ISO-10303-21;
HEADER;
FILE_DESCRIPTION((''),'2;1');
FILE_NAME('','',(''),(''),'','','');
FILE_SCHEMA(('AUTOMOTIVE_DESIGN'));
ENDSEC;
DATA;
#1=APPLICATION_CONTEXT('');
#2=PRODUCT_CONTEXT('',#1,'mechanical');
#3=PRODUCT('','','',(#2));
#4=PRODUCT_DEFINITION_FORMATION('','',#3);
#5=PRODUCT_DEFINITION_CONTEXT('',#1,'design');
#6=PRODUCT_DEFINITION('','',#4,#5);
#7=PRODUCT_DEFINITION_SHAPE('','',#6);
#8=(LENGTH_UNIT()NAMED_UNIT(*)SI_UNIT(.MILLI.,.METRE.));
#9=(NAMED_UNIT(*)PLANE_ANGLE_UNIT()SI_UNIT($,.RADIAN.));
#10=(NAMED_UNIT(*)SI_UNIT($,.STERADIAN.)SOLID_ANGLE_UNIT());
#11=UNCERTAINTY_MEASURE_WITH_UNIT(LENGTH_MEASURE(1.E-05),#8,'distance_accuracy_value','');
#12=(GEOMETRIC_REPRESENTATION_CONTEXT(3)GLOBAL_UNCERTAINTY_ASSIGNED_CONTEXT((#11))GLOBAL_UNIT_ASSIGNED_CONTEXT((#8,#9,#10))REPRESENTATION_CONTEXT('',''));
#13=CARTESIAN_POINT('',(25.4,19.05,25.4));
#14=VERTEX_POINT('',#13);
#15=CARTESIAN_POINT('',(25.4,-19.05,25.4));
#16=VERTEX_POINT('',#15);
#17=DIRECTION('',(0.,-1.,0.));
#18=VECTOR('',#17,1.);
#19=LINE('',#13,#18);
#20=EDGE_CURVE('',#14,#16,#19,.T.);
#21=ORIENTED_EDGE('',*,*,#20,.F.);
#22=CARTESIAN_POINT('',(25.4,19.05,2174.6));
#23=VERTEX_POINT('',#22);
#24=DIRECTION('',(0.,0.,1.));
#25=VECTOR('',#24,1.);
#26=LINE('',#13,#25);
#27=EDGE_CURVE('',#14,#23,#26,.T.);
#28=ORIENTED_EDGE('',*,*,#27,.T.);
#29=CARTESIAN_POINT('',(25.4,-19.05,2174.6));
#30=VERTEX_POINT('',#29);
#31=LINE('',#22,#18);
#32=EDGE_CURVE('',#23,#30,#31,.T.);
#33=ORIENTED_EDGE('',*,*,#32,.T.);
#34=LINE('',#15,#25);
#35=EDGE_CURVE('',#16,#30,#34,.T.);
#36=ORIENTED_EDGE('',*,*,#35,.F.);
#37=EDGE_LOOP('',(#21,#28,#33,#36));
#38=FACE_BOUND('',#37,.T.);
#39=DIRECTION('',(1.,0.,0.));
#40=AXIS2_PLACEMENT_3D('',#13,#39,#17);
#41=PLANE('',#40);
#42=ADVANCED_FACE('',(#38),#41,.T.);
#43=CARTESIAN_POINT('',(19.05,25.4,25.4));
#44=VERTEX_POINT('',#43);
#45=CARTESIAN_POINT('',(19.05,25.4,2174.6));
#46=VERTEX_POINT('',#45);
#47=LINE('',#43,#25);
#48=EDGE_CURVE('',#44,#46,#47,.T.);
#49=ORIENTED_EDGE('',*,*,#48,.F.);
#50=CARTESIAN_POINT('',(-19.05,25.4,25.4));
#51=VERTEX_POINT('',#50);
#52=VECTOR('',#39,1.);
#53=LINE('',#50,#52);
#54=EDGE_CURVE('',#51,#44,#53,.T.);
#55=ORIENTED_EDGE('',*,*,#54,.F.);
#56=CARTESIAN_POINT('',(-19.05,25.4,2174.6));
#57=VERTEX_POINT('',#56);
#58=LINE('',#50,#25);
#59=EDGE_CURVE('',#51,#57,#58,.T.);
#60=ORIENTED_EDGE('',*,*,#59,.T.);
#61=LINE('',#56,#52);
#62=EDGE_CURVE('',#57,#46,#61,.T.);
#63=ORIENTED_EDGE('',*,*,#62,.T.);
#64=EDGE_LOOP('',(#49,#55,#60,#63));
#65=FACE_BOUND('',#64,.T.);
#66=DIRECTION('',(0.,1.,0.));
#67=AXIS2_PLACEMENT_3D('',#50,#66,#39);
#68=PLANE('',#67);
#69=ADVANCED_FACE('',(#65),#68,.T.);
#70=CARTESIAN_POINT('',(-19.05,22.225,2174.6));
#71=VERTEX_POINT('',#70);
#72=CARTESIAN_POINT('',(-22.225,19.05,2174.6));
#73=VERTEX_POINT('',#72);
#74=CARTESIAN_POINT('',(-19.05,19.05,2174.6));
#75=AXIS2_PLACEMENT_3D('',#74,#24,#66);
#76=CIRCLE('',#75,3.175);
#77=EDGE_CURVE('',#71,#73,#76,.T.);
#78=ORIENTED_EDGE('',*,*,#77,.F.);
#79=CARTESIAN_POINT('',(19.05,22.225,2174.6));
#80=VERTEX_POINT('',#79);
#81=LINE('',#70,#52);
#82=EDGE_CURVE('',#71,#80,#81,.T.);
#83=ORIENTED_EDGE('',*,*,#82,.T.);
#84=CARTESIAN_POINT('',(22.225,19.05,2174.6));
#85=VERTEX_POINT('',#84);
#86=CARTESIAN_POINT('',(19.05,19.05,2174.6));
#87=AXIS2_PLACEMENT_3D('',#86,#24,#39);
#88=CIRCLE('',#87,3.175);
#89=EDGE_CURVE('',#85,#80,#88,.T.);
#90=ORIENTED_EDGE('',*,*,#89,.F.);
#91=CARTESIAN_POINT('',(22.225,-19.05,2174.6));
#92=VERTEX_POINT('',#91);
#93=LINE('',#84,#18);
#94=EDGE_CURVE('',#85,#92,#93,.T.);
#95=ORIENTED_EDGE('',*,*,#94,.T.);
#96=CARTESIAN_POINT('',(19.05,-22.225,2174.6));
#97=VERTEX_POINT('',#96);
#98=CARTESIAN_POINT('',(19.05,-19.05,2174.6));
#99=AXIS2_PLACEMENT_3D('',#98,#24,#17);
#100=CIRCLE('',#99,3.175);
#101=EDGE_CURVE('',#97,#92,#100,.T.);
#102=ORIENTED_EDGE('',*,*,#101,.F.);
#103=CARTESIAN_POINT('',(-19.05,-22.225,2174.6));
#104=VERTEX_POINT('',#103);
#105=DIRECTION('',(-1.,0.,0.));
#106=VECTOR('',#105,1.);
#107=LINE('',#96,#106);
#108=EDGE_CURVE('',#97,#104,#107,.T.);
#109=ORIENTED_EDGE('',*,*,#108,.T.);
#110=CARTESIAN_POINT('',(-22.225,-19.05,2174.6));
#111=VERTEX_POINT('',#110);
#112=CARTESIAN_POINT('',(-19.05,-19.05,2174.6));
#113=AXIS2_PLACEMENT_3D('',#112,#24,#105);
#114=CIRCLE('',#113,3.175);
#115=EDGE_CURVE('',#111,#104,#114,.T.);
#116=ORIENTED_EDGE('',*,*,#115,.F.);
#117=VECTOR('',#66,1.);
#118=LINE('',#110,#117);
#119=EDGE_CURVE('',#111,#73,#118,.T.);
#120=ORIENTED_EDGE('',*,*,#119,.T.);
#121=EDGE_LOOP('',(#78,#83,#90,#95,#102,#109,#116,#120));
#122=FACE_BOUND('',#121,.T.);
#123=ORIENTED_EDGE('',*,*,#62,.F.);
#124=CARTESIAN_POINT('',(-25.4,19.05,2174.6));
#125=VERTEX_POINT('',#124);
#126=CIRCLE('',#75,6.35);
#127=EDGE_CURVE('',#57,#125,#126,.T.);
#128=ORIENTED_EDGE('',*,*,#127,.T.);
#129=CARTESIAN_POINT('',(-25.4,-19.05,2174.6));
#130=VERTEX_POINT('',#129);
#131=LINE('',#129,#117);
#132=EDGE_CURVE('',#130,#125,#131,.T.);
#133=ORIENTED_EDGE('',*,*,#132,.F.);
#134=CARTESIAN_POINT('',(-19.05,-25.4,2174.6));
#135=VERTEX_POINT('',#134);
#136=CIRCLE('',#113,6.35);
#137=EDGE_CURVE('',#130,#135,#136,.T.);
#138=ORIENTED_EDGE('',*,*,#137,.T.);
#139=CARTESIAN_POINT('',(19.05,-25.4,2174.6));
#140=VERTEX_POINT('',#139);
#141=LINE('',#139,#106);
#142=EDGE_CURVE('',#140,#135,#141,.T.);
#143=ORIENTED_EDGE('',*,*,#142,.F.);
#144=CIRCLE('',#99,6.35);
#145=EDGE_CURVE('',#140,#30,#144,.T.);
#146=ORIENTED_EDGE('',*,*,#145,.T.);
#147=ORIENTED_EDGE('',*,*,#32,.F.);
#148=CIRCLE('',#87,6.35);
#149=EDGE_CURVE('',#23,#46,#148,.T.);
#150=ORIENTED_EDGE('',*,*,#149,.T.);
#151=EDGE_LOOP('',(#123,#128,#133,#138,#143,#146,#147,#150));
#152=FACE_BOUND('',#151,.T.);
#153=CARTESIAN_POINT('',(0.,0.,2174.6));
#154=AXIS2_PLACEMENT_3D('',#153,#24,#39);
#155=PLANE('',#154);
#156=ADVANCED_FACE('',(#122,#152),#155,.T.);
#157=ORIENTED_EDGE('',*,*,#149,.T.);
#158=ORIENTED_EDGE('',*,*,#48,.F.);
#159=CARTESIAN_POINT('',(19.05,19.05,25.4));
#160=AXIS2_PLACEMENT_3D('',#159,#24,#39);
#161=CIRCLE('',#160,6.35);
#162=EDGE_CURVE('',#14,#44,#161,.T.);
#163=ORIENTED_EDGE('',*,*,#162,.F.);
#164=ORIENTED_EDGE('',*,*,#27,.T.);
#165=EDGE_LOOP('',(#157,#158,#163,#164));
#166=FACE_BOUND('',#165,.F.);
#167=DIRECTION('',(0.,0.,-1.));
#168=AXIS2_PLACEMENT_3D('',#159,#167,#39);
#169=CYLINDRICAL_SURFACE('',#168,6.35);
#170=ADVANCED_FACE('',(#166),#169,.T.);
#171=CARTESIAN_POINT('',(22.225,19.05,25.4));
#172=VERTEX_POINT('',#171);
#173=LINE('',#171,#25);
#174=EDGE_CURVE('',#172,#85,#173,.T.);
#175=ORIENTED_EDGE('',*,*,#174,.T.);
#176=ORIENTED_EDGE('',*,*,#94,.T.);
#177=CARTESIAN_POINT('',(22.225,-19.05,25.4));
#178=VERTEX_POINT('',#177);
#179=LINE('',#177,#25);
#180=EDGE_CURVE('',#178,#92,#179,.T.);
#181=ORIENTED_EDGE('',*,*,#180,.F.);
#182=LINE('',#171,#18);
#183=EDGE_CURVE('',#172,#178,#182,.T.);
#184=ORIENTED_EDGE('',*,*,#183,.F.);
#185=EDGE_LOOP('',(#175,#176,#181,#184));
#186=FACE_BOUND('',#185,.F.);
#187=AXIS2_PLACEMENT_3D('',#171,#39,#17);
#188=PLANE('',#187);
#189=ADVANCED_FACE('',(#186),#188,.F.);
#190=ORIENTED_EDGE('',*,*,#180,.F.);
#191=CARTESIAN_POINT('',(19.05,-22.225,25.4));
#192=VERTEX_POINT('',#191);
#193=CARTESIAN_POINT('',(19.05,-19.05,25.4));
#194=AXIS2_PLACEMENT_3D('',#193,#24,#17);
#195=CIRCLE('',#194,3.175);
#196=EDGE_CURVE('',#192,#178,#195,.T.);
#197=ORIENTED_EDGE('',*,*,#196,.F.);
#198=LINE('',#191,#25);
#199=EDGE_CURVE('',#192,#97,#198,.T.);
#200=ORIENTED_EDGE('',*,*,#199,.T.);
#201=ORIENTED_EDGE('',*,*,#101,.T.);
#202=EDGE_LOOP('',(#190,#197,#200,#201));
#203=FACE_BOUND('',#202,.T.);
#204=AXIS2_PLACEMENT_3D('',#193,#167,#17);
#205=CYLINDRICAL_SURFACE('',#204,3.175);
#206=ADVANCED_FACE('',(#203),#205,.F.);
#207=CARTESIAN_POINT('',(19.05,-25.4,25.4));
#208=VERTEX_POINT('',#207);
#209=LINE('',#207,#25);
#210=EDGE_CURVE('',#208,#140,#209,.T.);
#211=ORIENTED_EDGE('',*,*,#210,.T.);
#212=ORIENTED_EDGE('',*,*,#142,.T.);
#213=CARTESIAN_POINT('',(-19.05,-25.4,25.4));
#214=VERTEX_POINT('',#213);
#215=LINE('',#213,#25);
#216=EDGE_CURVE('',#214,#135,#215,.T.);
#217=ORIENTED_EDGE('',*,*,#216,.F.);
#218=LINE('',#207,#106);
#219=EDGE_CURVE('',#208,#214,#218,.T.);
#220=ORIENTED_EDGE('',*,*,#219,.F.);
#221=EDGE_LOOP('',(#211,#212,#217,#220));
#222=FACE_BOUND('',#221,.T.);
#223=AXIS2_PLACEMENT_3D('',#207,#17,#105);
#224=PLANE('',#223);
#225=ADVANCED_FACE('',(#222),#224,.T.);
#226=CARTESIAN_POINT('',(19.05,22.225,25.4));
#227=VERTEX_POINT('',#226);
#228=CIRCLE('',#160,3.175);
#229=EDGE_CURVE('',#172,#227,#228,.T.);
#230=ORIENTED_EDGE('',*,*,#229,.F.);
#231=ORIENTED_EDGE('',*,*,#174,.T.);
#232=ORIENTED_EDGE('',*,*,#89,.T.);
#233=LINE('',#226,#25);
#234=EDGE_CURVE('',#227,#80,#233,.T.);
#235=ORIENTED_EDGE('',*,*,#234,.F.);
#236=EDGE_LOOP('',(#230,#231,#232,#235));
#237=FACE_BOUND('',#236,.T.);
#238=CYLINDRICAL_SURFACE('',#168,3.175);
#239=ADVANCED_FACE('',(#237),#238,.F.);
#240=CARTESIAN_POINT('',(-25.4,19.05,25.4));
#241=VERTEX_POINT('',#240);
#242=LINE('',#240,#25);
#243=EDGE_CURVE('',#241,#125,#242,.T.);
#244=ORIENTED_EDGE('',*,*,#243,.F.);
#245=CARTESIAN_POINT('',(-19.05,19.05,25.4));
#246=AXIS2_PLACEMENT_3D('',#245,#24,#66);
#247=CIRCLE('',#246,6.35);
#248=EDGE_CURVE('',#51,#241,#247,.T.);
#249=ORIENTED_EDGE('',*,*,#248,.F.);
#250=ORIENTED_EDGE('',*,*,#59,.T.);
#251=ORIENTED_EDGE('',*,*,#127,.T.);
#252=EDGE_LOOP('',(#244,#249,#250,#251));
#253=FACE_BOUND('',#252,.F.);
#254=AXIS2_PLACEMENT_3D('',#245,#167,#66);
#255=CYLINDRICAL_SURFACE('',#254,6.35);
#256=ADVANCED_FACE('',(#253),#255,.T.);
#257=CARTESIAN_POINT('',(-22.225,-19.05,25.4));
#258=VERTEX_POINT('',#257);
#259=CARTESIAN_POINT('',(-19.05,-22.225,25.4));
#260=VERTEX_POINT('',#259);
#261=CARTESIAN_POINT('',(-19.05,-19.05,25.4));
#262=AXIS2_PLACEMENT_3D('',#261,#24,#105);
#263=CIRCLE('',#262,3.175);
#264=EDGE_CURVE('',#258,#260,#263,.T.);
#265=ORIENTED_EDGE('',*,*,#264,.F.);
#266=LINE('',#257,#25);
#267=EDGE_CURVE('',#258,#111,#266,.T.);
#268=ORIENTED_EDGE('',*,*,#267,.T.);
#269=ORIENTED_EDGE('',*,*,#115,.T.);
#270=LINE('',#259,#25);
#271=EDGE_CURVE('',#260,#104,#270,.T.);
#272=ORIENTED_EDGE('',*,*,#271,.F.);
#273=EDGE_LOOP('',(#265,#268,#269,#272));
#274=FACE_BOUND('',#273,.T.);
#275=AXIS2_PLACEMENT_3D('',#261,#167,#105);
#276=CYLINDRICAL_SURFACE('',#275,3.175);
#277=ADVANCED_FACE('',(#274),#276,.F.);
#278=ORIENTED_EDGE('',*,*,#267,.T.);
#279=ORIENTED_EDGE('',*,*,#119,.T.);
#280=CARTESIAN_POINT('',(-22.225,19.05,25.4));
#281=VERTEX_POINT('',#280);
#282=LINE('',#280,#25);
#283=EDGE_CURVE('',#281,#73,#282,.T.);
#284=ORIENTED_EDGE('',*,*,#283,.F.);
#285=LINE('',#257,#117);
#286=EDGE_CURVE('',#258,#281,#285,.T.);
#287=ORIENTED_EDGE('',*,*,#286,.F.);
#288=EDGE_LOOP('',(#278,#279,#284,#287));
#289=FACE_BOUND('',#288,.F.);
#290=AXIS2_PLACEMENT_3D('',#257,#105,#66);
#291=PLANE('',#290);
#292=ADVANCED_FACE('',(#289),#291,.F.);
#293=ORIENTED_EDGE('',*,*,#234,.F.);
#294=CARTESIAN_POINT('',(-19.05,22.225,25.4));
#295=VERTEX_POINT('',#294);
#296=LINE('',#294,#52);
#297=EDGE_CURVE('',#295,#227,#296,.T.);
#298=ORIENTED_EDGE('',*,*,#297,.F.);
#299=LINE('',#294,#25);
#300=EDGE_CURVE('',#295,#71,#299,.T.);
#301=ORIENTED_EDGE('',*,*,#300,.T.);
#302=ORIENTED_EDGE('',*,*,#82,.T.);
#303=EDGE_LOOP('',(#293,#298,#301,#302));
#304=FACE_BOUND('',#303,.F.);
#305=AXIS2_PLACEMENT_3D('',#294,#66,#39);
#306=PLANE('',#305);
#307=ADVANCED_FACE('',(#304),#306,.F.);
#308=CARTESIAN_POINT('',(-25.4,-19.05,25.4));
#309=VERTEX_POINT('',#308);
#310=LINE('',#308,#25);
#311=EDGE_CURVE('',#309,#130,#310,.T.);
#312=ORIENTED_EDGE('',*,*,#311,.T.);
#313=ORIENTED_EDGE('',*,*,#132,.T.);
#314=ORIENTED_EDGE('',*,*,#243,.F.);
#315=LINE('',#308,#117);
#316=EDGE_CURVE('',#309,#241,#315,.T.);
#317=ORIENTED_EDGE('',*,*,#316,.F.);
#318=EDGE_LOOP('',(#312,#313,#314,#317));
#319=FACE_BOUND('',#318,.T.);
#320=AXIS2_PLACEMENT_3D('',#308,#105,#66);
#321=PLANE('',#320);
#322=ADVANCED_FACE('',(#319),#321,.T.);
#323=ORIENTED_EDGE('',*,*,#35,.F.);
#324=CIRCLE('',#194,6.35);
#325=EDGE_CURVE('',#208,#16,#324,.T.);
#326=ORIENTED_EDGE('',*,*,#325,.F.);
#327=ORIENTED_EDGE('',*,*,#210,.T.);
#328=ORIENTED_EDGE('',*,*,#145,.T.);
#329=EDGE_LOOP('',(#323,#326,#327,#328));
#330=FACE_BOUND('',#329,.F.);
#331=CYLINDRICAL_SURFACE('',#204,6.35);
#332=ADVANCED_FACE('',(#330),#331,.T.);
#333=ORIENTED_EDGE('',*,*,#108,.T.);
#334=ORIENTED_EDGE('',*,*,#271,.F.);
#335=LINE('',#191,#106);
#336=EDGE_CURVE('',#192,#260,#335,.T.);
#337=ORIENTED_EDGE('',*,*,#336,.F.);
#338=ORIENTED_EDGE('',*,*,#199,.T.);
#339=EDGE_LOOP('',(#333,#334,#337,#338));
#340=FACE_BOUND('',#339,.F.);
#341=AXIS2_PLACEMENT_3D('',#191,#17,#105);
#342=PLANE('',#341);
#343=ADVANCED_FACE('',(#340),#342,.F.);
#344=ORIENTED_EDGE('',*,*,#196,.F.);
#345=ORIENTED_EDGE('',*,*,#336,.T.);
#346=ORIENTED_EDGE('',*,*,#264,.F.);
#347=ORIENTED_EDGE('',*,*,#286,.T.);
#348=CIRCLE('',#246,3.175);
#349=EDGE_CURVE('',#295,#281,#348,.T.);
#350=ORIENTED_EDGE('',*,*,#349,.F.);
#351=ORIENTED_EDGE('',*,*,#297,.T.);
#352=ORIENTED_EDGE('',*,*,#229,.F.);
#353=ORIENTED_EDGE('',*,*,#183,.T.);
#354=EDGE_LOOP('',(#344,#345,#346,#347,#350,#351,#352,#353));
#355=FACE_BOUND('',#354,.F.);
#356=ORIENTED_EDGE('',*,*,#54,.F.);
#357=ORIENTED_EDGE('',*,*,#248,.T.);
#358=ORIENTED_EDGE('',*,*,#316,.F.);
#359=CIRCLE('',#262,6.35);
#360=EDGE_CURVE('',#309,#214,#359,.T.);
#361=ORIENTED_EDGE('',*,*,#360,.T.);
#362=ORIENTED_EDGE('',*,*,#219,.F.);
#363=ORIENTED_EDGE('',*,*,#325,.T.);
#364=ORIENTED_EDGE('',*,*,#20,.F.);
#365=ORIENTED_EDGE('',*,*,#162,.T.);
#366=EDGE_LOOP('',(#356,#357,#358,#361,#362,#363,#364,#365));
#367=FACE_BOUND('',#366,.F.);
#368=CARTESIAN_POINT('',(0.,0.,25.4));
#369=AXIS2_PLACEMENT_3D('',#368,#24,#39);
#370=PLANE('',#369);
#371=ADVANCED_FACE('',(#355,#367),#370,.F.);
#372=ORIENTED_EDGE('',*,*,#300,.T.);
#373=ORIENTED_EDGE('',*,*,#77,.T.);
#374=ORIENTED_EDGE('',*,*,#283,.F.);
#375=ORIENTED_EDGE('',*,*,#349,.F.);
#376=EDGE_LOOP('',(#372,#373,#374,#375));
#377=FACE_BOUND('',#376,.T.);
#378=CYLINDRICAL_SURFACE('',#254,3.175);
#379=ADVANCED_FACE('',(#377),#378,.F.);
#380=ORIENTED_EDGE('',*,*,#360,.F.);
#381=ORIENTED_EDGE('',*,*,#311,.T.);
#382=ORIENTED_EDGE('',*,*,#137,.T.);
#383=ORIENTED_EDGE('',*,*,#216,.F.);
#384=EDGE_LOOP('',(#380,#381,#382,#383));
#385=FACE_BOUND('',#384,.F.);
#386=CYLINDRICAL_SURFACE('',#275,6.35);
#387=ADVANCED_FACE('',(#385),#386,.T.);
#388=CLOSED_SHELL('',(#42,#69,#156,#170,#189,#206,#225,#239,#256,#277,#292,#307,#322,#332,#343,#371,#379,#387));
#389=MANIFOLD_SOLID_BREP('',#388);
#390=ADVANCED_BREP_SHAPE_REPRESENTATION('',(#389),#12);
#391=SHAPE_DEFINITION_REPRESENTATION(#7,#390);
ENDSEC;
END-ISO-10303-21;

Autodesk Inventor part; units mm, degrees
ref_plane "Plano inicial" through (0, 0, 25.4) normal (0, 0, 1) x (1, 0, 0)
ref_plane "Plano final" through (0, 0, 2174.6) normal (0, 0, 1) x (1, 0, 0)
sketch "Boceto" plane through (0, 0, 0) normal (0, 0, 1) x (1, 0, 0)
  line L0 (-25.4, -19.05) -> (-25.4, 19.05)
  line L1 (-19.05, 25.4) -> (19.05, 25.4)
  line L2 (25.4, 19.05) -> (25.4, -19.05)
  line L3 (19.05, -25.4) -> (-19.05, -25.4)
  arc A0 (-25.4, -19.05) -> (-19.05, -25.4) centre (-19.05, -19.05) ccw
  arc A1 (-19.05, 25.4) -> (-25.4, 19.05) centre (-19.05, 19.05) ccw
  arc A2 (25.4, 19.05) -> (19.05, 25.4) centre (19.05, 19.05) ccw
  arc A3 (19.05, -25.4) -> (25.4, -19.05) centre (19.05, -19.05) ccw
  arc A4 (-19.05, 22.225) -> (-22.225, 19.05) centre (-19.05, 19.05) ccw
  line L4 (-19.05, 22.225) -> (19.05, 22.225)
  arc A5 (22.225, 19.05) -> (19.05, 22.225) centre (19.05, 19.05) ccw
  line L5 (22.225, 19.05) -> (22.225, -19.05)
  arc A6 (19.05, -22.225) -> (22.225, -19.05) centre (19.05, -19.05) ccw
  line L6 (19.05, -22.225) -> (-19.05, -22.225)
  arc A7 (-22.225, -19.05) -> (-19.05, -22.225) centre (-19.05, -19.05) ccw
  line L7 (-22.225, -19.05) -> (-22.225, 19.05)
  line L8 (0, 37.4012) -> (0, -37.4012) construction
  line L9 (-37.4012, 0) -> (37.4012, 0) construction
  dimension "d10" = 50.8
  dimension "d11" = 50.8
  dimension "d12" = 3.175
  dimension "d15" = 25.4
  dimension "d16" = 25.4
  dimension "d17" = 6.35
extrude "Cuerpo" add sketch "Boceto" along normal up to surface (2149.2 mm away) from surface at 25.4
sketch "Sketch3" plane through (0, 0, 0) normal (0, 0, 1) x (1, 0, 0)
  line L0 (0, 0) -> (10, 0)
ref_plane "Work Plane3" through (0, 0, 0) normal (0, -1, 0) x (1, 0, 0)
ref_plane "Plano de trabajo4" through (1680.95, 0, 25.4) normal (0, 0, -1) x (-1, 0, 0)
split "Dividir1" plane through (1680.95, 0, 25.4) removes the side toward (0, 0, -1)
ref_plane "Plano de trabajo5" through (1700, -19.05, 2174.6) normal (0, 0, 1) x (1, 0, 0)
split "Dividir2" plane through (1700, -19.05, 2174.6) removes the side toward (0, 0, 1)
sketch "Sketch4" plane through (0, 0, 0) normal (0, -1, 0) x (1, 0, 0)
  line L0 (-2, 25.4) -> (12, 25.4) projected
  line L1 (-2, 2174.6) -> (12, 2174.6) projected
  dimension "d19" = 2149.2
equation "\"d10\" = G_H"
equation "\"d11\" = G_W"
equation "\"d12\" = G_T"
equation "\"d15\" = 0.5 * d10"
equation "\"d16\" = 0.5 * d11"
equation "\"d17\" = G_IR"
equation "\"d3\" = G_L"
equation "\"G_W\" = 50.8"
equation "\"G_H\" = 50.8"
equation "\"G_T\" = 3.175"
equation "\"G_IR\" = 6.35"
equation "\"G_L\" = d19"
equation "\"G_OFFSET_START\" = -25.4"
equation "\"G_OFFSET_END\" = -25.4"
equation "\"d13\" = -G_OFFSET_START"
equation "\"d14\" = G_OFFSET_END + B_L"
equation "\"B_L\" = 2200"
properties part number "AISC - 2 x 2 x 1/8 - 84,614" material "Acero, suave"
